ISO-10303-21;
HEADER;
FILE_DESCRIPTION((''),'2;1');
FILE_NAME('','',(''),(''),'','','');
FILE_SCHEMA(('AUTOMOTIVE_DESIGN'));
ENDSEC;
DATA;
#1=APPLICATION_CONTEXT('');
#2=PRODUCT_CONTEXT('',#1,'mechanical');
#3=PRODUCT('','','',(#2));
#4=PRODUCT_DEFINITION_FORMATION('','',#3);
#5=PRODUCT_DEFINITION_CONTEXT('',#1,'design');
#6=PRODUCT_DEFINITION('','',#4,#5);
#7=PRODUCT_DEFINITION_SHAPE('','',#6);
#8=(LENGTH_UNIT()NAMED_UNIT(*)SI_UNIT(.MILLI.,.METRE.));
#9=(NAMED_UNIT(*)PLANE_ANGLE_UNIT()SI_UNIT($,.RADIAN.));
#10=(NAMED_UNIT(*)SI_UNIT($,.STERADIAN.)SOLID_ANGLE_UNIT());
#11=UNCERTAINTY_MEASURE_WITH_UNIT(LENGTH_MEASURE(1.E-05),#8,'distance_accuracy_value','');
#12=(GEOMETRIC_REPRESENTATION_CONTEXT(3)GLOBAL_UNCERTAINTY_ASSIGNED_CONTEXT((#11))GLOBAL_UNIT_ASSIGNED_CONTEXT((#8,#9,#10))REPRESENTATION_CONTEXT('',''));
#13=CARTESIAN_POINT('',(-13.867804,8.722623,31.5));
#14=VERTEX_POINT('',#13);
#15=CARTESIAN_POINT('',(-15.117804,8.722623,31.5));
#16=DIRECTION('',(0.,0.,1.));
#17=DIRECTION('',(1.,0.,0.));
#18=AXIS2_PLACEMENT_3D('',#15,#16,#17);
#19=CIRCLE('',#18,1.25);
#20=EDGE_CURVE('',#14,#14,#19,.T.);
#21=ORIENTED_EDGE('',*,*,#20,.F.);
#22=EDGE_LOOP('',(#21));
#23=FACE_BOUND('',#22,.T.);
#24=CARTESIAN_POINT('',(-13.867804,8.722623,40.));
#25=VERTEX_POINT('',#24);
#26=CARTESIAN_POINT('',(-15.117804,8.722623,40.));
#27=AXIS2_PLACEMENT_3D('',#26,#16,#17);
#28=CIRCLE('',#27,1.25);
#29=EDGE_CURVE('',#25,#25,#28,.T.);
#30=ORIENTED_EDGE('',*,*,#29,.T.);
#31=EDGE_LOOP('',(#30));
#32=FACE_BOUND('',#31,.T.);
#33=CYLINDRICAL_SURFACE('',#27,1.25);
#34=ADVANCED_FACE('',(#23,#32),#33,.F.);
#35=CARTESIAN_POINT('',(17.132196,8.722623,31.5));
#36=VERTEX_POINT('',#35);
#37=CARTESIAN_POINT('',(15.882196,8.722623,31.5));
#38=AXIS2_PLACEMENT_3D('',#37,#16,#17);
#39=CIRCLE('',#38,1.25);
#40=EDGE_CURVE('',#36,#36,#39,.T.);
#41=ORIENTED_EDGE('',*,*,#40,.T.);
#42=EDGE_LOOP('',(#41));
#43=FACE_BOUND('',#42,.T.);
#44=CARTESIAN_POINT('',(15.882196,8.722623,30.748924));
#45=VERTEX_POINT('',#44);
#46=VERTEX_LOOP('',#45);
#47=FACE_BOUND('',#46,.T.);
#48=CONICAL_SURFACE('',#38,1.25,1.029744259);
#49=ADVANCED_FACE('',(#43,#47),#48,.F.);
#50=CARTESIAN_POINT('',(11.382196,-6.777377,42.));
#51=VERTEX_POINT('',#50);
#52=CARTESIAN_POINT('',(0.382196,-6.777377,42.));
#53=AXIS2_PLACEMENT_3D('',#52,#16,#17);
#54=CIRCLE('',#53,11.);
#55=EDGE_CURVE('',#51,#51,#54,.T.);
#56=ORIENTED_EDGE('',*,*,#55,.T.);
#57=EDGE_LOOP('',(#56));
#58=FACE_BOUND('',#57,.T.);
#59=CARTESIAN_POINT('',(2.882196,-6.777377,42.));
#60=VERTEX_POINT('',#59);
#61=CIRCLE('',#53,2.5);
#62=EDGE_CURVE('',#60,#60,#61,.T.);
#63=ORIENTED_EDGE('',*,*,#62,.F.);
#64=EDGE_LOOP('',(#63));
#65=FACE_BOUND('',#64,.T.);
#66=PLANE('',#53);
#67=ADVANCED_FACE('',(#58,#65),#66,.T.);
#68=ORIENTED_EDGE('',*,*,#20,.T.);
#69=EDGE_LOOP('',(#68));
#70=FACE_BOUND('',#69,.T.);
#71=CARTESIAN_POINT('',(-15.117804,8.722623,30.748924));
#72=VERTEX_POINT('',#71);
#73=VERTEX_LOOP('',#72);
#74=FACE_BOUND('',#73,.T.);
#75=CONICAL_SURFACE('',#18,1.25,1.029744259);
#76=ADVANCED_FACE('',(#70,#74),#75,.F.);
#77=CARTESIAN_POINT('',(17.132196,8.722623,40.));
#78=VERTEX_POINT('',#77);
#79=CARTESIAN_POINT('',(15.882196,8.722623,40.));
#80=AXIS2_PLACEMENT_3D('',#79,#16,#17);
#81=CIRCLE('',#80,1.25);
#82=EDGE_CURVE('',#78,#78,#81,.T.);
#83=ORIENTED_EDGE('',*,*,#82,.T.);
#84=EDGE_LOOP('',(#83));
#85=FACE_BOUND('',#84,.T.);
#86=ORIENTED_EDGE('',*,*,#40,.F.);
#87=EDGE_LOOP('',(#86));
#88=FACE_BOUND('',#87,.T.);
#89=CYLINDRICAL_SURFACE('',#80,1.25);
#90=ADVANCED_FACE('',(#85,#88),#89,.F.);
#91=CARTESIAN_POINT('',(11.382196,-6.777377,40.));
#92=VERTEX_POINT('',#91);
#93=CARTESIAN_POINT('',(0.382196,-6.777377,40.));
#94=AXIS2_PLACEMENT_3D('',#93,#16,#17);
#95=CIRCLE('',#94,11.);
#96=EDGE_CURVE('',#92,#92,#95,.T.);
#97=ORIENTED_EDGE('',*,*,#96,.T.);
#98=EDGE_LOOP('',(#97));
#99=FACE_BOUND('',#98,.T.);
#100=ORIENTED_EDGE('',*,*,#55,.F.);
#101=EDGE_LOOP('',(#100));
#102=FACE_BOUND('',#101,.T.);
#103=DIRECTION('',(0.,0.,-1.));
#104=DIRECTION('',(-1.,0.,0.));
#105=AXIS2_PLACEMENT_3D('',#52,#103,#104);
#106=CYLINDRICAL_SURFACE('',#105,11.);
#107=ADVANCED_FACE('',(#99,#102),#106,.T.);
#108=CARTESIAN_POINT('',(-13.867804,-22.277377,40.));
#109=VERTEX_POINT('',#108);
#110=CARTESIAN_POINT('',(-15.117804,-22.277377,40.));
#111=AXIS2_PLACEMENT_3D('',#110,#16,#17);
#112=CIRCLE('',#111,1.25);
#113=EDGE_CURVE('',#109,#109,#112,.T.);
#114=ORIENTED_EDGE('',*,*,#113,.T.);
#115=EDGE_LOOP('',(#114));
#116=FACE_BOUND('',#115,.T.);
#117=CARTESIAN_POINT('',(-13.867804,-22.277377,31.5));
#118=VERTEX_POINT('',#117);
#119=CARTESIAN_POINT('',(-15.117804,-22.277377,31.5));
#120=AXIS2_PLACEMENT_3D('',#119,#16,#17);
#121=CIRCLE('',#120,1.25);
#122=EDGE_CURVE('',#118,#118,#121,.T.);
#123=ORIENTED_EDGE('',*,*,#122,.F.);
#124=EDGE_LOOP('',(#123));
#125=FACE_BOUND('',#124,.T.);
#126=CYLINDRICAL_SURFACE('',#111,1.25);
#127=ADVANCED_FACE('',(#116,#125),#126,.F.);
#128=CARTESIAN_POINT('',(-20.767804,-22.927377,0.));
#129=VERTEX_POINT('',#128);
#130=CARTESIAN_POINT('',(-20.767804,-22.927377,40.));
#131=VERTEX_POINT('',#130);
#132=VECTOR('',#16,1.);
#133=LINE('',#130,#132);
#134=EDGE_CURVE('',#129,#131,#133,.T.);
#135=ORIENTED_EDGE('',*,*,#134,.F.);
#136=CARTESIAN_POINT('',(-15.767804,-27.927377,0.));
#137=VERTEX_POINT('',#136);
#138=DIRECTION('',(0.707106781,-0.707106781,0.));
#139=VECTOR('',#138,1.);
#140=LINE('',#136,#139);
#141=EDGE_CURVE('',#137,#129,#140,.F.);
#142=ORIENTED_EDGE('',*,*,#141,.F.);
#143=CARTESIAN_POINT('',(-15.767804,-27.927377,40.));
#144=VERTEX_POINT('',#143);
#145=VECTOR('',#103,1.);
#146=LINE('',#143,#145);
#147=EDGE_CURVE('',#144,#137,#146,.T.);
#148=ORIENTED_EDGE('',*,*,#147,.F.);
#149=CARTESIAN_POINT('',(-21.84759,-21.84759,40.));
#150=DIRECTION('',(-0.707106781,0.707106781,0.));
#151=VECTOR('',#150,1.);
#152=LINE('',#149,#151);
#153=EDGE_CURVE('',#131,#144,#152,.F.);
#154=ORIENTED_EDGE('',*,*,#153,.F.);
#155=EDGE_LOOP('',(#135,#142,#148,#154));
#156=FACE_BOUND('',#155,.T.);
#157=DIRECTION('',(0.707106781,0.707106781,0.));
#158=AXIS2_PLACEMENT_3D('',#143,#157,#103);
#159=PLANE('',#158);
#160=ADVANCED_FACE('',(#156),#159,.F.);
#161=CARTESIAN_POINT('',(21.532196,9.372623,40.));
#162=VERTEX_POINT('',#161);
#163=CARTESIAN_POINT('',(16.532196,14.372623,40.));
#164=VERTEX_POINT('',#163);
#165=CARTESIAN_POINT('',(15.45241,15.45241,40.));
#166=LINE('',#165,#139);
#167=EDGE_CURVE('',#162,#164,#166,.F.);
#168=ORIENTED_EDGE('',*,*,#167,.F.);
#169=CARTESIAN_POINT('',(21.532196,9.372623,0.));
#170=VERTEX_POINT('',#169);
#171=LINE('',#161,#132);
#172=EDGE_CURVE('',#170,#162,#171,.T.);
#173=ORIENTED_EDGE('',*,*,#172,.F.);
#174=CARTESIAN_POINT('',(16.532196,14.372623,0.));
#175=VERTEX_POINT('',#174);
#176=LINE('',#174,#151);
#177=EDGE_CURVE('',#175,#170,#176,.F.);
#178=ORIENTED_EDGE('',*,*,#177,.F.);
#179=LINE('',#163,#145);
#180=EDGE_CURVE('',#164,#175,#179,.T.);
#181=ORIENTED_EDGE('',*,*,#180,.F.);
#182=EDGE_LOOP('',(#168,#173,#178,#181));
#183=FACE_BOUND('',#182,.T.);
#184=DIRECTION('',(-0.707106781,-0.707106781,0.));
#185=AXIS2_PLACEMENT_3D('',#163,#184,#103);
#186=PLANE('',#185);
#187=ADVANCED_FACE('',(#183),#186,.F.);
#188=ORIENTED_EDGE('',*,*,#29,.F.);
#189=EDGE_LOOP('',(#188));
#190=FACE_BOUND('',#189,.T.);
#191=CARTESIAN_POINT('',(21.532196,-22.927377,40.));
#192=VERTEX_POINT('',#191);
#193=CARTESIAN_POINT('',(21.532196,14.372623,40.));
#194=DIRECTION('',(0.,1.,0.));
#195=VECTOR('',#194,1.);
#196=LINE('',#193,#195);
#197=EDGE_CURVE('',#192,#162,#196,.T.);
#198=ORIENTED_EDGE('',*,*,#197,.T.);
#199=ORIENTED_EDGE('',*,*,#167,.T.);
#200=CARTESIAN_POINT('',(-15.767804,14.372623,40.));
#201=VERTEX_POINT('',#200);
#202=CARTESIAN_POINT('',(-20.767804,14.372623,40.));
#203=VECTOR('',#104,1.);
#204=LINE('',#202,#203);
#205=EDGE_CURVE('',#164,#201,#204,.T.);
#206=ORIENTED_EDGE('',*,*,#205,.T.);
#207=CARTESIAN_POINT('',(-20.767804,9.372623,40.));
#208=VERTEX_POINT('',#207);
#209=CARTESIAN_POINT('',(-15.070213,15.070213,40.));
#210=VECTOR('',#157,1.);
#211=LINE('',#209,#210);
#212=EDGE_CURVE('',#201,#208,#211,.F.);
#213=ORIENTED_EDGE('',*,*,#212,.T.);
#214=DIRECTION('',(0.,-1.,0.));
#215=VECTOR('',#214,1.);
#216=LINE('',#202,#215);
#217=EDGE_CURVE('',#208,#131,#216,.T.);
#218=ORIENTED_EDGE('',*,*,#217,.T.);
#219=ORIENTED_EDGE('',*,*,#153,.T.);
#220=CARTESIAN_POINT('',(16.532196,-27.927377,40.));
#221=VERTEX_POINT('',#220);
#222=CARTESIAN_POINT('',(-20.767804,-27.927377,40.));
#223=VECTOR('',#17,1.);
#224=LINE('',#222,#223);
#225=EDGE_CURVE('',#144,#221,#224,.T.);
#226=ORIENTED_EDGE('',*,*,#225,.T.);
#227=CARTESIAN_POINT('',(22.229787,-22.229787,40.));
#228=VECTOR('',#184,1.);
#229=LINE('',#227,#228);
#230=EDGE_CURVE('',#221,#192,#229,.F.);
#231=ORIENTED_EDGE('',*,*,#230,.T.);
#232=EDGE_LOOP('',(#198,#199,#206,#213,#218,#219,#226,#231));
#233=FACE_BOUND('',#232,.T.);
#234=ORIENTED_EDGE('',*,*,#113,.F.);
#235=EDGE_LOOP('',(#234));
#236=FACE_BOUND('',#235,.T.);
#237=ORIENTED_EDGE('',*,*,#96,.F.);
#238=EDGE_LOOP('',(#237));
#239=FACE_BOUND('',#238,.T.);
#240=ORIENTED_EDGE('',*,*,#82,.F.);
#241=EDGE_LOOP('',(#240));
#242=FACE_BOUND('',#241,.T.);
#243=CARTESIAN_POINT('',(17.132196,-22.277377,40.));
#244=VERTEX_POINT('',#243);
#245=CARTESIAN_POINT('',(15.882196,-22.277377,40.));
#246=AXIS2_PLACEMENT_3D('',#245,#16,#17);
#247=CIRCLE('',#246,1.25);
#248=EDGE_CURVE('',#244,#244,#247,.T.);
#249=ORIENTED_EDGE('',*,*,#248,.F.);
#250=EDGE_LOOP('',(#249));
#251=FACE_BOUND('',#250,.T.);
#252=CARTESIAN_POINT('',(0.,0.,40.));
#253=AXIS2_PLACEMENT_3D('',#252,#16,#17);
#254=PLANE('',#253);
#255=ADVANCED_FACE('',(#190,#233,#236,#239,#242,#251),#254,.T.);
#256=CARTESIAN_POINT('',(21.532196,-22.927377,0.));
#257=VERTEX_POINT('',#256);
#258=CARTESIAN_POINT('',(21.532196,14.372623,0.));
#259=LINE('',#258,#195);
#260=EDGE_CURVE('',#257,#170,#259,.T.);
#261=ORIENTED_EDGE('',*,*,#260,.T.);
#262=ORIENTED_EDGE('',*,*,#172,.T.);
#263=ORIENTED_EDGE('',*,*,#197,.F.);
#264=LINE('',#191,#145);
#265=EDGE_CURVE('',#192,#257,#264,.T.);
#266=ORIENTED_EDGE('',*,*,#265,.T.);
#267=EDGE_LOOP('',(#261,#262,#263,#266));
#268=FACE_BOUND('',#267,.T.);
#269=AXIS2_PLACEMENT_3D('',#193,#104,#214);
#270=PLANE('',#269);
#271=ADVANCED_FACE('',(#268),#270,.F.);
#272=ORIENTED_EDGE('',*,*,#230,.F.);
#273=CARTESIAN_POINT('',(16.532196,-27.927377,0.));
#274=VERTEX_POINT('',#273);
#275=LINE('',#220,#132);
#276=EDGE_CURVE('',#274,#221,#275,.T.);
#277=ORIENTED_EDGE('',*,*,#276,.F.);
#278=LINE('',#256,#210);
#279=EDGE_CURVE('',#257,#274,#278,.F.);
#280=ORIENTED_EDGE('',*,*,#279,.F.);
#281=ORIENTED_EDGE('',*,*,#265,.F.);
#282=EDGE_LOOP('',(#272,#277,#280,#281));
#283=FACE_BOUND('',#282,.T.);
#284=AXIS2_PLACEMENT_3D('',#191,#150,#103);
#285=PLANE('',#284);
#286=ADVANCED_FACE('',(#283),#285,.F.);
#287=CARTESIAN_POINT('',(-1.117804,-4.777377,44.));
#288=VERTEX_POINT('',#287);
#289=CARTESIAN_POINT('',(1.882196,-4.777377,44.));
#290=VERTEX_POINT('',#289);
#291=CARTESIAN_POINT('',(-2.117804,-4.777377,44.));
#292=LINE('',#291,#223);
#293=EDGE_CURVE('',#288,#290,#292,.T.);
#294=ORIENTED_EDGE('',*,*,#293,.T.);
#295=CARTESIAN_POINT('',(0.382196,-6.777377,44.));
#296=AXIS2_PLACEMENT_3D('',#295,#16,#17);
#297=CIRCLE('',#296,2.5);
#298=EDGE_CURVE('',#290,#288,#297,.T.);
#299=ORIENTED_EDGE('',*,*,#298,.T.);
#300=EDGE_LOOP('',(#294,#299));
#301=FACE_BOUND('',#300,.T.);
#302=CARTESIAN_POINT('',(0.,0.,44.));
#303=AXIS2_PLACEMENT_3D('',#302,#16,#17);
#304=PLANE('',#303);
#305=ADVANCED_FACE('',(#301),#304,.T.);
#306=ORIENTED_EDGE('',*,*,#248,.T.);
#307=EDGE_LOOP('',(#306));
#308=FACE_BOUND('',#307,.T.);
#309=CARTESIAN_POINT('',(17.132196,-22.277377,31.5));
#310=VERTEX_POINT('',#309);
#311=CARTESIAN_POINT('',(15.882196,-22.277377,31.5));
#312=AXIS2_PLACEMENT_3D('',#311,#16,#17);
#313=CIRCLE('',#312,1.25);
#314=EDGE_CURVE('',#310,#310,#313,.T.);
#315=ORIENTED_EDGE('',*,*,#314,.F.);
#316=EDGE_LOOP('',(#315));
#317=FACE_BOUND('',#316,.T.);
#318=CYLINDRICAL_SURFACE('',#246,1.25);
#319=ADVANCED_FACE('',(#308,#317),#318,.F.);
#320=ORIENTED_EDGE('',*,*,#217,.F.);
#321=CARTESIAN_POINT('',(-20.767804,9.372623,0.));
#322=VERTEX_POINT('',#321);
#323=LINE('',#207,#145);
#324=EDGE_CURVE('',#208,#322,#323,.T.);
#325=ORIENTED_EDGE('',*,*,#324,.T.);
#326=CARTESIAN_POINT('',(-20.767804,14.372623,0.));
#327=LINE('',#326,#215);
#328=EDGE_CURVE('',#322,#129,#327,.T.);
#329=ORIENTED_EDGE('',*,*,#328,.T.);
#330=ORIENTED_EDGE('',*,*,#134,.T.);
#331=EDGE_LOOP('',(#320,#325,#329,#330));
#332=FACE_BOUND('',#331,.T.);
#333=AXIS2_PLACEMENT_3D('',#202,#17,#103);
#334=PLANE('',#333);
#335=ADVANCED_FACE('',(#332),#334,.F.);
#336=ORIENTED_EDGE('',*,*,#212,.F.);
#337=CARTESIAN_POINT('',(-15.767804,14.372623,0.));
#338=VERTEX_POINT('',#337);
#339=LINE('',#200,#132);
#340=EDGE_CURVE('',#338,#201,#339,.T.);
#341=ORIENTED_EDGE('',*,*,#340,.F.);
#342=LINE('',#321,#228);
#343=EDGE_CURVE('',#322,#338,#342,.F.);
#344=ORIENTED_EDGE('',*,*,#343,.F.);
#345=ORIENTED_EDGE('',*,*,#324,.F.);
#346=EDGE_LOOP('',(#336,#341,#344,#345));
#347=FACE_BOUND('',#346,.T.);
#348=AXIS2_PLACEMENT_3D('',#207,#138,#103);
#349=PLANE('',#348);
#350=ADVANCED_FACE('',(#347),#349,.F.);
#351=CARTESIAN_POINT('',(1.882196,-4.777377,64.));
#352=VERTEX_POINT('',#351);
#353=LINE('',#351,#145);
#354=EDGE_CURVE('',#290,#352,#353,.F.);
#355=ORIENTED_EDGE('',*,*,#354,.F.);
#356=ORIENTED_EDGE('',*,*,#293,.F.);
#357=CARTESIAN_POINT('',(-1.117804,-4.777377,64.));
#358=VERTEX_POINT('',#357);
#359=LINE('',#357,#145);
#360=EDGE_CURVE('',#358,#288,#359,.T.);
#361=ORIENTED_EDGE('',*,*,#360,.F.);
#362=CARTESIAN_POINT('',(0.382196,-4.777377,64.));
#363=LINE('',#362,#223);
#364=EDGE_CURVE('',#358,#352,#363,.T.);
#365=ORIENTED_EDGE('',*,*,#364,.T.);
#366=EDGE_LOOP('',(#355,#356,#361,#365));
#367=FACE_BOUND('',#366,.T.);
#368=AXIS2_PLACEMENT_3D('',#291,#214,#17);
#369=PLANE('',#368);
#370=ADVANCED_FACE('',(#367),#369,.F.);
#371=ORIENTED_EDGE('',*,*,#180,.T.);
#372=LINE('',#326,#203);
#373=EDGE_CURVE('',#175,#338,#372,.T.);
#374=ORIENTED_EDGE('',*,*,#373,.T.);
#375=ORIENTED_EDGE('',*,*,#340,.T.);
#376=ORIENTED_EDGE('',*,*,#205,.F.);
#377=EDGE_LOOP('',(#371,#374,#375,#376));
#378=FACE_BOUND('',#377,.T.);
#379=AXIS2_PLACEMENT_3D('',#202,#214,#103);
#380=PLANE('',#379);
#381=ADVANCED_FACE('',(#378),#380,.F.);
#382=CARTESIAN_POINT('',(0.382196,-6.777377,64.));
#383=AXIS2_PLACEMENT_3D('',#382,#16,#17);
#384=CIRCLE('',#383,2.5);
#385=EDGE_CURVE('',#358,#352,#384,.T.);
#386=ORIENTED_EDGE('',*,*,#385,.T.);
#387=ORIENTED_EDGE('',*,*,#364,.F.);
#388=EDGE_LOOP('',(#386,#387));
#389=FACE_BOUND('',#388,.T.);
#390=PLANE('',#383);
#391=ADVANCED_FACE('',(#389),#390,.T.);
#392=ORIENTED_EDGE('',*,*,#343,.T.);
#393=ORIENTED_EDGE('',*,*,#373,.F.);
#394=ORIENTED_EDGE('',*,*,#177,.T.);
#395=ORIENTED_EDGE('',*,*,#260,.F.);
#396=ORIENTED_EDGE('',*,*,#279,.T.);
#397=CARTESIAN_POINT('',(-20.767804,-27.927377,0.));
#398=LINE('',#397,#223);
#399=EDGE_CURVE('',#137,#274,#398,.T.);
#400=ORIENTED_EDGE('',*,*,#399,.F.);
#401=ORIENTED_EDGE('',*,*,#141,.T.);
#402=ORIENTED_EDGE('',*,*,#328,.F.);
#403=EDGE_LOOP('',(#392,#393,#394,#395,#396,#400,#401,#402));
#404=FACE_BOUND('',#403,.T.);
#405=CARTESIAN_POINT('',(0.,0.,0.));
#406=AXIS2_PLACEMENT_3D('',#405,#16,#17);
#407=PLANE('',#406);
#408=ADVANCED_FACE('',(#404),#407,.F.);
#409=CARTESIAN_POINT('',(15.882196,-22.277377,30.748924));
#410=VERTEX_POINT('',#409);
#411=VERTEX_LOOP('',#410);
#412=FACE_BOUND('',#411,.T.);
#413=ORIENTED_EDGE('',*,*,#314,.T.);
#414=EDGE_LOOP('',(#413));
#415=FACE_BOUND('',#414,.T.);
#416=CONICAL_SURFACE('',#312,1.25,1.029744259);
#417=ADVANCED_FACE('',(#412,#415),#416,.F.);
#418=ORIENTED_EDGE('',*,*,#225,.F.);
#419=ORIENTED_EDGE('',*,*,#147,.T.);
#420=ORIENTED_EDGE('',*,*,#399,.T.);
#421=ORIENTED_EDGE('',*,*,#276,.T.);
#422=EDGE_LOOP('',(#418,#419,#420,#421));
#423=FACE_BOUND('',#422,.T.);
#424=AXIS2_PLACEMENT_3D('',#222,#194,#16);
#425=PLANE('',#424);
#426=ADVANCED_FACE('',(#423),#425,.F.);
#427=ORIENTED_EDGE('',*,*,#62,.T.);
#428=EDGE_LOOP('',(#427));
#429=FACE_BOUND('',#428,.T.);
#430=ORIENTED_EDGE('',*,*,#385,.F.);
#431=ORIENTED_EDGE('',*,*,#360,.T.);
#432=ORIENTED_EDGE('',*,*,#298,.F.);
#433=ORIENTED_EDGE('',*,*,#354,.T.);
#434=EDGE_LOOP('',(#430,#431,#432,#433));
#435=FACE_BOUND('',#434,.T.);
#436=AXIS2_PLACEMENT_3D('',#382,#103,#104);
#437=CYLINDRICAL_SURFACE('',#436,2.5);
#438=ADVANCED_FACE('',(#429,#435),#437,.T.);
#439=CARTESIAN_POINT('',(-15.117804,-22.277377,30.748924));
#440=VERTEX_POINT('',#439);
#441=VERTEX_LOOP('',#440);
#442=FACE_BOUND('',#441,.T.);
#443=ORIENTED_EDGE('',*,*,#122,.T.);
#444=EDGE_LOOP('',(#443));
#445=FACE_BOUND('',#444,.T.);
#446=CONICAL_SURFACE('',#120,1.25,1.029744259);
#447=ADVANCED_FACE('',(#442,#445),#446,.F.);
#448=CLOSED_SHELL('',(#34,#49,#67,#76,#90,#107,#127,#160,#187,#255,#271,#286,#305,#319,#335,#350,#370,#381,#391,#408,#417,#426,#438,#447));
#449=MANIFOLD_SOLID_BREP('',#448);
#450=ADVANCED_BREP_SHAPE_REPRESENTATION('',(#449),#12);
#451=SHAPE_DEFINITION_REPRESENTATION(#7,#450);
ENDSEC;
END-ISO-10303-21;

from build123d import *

# Parameters (mm, degrees)
SKIZZE1_W                       = 42.3
SKIZZE1_H                       = 42.3
AUFSATZ_LINEAR_AUSTRAGEN1_DEPTH = 40
SKIZZE2_R                       = 11
AUFSATZ_LINEAR_AUSTRAGEN2_DEPTH = 2
SKIZZE3_R                       = 2.5
AUFSATZ_LINEAR_AUSTRAGEN3_DEPTH = 22
SKIZZE4_W                       = 5
SKIZZE4_H                       = 0.5
SCHNITT_LINEAR_AUSTRAGEN1_DEPTH = 20
M3_GEWINDEBOHRUNG2_D            = 2.5
M3_GEWINDEBOHRUNG2_DEPTH        = 8.5
M3_GEWINDEBOHRUNG2_TIP          = 0.751075774
FASE6_SIZE                      = 5


with BuildPart() as part:
    # Skizze1 → Aufsatz-Linear austragen1 (new body)
    with BuildSketch(Plane.XY):
        with Locations((0.382196485, -6.777376721)):
            Rectangle(SKIZZE1_W, SKIZZE1_H)
    extrude(amount=AUFSATZ_LINEAR_AUSTRAGEN1_DEPTH)

    # Skizze2 → Aufsatz-Linear austragen2 (add)
    with BuildSketch(Plane.XY.offset(40)):
        with Locations((0.382196485, -6.777376721)):
            Circle(SKIZZE2_R)
    extrude(amount=AUFSATZ_LINEAR_AUSTRAGEN2_DEPTH)

    # Skizze3 → Aufsatz-Linear austragen3 (add)
    with BuildSketch(Plane.XY.offset(42)):
        with Locations((0.382196485, -6.777376721)):
            Circle(SKIZZE3_R)
    extrude(amount=AUFSATZ_LINEAR_AUSTRAGEN3_DEPTH)

    # Skizze4 → Schnitt-Linear austragen1 (cut)
    with BuildSketch(Plane.XY.offset(64)):
        with Locations((0.382196485, -4.527376721)):
            Rectangle(SKIZZE4_W, SKIZZE4_H)
    extrude(amount=-SCHNITT_LINEAR_AUSTRAGEN1_DEPTH, mode=Mode.SUBTRACT)

    # M3 Gewindebohrung2
    with Locations(Plane.XY.offset(40)):
        with Locations((-15.117803515, 8.722623279), (15.882196485, 8.722623279), (-15.117803515, -22.277376721), (15.882196485, -22.277376721)):
            Hole(M3_GEWINDEBOHRUNG2_D / 2, depth=M3_GEWINDEBOHRUNG2_DEPTH)
            with Locations((0, 0, -(M3_GEWINDEBOHRUNG2_DEPTH + M3_GEWINDEBOHRUNG2_TIP / 2))):  # 118° drill point
                Cone(0, M3_GEWINDEBOHRUNG2_D / 2, M3_GEWINDEBOHRUNG2_TIP, mode=Mode.SUBTRACT)

    # Fase6
    fase6_edges = [part.edges().sort_by_distance(p)[0] for p in [
        (-20.767803515, 14.372623279, 20),
        (21.532196485, 14.372623279, 20),
        (21.532196485, -27.927376721, 20),
        (-20.767803515, -27.927376721, 20),
    ]]
    chamfer(fase6_edges, length=FASE6_SIZE)


solid = part.part
